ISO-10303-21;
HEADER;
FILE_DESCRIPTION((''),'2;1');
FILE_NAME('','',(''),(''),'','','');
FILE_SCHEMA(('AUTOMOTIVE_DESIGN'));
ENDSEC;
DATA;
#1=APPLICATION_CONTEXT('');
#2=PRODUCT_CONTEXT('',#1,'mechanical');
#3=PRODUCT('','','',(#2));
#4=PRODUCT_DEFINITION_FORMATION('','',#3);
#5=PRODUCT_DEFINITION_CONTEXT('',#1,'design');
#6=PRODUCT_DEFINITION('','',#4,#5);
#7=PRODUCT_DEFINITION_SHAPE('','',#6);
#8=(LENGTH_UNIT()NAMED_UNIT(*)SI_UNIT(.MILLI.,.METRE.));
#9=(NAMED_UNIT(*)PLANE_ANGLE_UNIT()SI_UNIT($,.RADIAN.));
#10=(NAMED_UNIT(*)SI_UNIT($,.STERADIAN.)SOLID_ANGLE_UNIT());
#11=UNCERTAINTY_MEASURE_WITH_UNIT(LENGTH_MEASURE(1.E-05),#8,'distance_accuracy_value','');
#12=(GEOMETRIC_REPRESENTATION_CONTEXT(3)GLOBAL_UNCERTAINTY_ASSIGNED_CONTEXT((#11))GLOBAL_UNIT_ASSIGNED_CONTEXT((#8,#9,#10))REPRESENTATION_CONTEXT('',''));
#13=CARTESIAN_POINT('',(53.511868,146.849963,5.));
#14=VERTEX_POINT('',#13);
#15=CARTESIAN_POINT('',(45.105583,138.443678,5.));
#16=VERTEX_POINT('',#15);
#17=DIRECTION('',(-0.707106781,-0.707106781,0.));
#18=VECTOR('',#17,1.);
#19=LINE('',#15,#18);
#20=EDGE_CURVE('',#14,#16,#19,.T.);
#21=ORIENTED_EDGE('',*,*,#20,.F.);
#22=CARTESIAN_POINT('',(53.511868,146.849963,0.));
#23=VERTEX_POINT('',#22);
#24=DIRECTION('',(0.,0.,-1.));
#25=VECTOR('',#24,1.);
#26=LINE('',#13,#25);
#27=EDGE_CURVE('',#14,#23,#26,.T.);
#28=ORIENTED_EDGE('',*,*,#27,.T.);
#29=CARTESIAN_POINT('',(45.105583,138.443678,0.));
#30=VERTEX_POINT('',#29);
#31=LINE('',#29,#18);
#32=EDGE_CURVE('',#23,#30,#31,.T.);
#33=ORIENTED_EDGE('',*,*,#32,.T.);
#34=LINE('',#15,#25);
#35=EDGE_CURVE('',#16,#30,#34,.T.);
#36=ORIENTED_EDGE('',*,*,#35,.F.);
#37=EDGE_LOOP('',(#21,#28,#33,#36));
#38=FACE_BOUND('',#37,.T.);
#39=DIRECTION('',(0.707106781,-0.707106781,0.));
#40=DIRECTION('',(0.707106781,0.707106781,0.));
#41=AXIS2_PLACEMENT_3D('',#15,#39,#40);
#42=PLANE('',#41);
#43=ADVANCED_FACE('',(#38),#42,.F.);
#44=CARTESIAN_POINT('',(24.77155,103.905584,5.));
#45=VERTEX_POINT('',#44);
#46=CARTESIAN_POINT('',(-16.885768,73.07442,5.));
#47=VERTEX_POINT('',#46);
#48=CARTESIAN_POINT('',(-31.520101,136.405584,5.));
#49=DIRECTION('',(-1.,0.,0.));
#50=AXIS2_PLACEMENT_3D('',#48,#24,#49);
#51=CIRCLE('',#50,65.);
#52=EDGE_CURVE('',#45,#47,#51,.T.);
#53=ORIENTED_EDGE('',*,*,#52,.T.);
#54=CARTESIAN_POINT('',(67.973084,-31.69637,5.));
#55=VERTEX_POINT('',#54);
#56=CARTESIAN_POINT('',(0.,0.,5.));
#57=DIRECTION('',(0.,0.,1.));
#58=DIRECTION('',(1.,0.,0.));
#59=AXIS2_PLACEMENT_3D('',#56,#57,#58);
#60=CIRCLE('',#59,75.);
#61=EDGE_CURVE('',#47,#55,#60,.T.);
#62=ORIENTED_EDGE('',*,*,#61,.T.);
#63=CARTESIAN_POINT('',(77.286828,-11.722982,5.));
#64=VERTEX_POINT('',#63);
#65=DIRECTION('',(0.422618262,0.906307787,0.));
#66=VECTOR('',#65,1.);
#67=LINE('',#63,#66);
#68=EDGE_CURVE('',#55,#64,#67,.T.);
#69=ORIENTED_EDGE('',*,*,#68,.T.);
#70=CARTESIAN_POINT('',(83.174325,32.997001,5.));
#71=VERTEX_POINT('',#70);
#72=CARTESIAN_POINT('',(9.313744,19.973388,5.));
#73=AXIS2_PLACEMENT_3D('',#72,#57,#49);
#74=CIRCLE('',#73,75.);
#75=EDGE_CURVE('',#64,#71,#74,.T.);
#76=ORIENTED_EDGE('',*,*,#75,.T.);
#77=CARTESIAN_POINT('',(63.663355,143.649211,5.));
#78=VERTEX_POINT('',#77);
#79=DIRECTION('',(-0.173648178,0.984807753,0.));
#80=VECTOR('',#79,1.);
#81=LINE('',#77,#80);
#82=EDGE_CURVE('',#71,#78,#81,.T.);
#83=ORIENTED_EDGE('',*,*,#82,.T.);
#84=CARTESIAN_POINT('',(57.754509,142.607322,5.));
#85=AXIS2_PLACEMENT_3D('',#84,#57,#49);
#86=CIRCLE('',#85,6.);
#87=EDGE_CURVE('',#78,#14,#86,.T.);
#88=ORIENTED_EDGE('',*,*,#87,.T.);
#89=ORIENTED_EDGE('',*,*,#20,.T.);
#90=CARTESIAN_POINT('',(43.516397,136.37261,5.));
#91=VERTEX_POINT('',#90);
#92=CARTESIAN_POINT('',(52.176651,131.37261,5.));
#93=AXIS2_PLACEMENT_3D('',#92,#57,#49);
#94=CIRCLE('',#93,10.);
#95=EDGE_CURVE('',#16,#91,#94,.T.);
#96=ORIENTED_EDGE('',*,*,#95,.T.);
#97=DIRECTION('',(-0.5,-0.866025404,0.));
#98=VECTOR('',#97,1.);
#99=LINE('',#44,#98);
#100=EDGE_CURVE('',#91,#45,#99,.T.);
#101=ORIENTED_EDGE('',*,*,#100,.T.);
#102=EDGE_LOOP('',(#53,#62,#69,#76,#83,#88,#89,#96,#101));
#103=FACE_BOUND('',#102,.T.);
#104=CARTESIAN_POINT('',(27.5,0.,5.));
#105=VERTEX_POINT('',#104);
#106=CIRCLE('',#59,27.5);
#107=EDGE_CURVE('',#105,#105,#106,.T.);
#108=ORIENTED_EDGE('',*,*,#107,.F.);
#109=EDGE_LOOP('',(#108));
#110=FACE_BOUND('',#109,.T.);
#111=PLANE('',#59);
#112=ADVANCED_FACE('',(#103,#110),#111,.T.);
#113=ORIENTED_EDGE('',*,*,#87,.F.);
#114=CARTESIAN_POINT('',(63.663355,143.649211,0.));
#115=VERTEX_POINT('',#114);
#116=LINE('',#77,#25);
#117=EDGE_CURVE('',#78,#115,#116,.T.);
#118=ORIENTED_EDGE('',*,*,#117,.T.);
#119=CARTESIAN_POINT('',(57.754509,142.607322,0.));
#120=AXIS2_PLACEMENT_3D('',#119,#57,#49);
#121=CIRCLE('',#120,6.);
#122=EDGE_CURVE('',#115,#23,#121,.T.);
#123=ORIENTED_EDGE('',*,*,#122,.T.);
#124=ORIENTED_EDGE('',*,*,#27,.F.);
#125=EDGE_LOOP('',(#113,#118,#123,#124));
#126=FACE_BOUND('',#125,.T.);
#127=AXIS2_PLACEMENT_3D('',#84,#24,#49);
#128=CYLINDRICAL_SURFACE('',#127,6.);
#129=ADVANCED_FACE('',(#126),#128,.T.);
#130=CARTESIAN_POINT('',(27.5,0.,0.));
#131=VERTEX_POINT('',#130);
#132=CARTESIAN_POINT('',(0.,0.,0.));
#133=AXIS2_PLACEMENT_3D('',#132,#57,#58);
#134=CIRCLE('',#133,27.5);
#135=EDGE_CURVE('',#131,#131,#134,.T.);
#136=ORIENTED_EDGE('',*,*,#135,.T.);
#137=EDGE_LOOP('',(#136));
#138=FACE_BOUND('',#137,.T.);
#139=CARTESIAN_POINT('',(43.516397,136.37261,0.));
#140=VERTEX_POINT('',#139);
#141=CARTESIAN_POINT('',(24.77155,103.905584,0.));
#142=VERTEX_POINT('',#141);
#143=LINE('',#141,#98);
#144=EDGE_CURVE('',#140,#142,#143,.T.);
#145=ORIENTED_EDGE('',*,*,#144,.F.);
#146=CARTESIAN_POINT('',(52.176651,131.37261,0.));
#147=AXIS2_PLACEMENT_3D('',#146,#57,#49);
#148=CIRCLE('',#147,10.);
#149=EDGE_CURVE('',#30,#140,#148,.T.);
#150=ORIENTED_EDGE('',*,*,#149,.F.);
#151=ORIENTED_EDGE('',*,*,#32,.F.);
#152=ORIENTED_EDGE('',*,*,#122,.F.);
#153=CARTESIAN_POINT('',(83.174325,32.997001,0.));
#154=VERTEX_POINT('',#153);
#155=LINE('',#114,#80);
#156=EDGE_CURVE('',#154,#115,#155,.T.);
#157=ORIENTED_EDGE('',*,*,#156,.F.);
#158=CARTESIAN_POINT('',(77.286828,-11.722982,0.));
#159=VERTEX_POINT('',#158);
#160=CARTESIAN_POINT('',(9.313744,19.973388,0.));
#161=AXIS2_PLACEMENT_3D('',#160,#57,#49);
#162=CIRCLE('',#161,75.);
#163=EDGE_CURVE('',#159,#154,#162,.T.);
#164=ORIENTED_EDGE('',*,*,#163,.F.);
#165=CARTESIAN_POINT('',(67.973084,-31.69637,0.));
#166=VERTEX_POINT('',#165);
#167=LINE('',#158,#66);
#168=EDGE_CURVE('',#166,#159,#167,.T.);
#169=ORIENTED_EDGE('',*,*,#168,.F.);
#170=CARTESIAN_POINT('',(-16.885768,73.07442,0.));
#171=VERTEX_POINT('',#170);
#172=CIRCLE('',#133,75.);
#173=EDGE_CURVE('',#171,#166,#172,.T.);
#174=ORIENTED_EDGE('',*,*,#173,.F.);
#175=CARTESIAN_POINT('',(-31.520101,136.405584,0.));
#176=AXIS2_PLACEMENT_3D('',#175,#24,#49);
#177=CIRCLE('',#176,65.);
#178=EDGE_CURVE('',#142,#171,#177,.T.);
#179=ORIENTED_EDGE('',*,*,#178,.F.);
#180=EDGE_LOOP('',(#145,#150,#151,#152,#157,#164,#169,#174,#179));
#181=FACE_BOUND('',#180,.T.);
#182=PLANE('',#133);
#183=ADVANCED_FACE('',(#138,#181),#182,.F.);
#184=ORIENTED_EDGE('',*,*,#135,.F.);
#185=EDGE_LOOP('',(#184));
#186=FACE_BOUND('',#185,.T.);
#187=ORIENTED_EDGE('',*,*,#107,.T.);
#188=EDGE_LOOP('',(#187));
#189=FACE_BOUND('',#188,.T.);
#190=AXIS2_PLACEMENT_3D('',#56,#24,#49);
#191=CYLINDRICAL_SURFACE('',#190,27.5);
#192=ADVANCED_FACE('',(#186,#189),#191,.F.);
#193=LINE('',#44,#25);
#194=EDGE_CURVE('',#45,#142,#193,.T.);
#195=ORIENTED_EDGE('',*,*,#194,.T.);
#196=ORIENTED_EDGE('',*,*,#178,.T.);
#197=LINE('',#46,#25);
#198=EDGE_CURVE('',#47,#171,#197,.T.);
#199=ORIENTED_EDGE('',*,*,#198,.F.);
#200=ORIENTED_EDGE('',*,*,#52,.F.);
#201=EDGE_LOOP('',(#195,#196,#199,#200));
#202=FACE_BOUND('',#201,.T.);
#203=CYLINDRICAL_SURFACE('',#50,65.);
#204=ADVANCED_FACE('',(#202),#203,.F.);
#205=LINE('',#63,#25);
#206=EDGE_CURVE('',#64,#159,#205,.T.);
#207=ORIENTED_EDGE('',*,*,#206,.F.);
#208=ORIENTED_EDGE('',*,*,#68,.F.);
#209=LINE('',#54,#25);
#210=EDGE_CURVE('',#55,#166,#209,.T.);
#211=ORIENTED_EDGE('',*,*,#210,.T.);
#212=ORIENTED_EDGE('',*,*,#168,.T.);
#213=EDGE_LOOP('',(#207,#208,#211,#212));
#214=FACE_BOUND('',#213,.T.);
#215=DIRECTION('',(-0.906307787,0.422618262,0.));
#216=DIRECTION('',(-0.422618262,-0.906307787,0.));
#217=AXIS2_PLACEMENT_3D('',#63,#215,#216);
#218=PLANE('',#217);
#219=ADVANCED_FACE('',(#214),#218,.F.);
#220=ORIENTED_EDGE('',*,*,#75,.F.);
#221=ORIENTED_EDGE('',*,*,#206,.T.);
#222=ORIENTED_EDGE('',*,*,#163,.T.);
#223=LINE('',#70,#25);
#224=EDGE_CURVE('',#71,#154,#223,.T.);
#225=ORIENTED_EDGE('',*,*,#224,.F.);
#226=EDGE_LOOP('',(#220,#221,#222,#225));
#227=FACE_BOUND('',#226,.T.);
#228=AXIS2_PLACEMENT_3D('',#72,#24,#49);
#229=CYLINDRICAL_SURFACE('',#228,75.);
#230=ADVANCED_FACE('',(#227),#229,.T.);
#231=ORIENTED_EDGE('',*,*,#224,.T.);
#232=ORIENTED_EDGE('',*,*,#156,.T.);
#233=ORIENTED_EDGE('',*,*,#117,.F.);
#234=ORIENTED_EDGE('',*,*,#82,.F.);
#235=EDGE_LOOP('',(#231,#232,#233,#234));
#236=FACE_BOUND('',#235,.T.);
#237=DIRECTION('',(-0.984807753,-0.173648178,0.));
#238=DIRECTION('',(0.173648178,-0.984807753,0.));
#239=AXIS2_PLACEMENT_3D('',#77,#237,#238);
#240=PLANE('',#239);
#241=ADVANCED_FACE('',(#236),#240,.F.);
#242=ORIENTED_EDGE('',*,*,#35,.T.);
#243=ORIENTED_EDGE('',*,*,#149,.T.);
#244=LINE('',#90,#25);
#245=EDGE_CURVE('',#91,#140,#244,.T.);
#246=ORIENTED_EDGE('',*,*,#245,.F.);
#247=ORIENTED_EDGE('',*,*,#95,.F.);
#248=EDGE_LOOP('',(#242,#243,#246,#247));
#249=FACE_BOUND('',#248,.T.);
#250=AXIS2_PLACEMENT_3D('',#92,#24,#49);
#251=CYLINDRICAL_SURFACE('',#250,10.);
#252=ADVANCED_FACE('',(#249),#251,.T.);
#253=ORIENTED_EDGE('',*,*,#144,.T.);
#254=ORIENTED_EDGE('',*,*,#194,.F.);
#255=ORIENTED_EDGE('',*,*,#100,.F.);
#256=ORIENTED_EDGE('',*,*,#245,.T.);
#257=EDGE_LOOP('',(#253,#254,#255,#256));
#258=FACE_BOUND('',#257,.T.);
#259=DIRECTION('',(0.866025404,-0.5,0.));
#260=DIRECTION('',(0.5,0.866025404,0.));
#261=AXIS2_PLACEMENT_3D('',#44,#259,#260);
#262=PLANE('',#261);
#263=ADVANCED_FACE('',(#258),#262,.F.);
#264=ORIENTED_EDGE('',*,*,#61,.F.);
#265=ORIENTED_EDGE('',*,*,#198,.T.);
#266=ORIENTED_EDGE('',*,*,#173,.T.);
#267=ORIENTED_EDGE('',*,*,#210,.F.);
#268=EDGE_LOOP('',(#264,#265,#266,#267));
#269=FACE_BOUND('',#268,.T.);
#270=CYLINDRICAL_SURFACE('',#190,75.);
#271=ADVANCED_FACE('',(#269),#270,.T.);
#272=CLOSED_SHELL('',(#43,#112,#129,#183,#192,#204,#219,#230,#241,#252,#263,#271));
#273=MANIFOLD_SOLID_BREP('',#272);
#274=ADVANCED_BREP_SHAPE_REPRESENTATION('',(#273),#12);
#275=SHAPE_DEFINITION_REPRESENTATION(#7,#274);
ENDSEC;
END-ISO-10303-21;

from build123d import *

# Parameters (mm, degrees)
SKETCH1_R      = 27.5
EXTRUDE1_DEPTH = 5


with BuildPart() as part:
    # Sketch1 → Extrude1 (new body)
    with BuildSketch(Plane.XY):
        with BuildLine():
            Line((24.77155023, 103.905583581), (43.516396951, 136.372610482))
            ThreePointArc((43.516396951, 136.372610482), (44.243117586, 137.460224772), (45.105583177, 138.443678294))
            Line((45.105583177, 138.443678294), (53.511867952, 146.849963069))
            ThreePointArc((53.511867952, 146.849963069), (59.558743436, 148.329624086), (63.663355157, 143.649211448))
            Line((63.663355157, 143.649211448), (83.174325272, 32.997001352))
            ThreePointArc((83.174325272, 32.997001352), (83.672108399, 10.183923611), (77.286827824, -11.722981603))
            Line((77.286827824, -11.722981603), (67.973084028, -31.696369631))
            ThreePointArc((67.973084028, -31.696369631), (-58.281283725, -47.204787547), (-16.885768401, 73.074419775))
            ThreePointArc((-16.885768401, 73.074419775), (7.148542121, 84.158707713), (24.77155023, 103.905583581))
        make_face()
        Circle(SKETCH1_R, mode=Mode.SUBTRACT)
    extrude(amount=EXTRUDE1_DEPTH)


solid = part.part
